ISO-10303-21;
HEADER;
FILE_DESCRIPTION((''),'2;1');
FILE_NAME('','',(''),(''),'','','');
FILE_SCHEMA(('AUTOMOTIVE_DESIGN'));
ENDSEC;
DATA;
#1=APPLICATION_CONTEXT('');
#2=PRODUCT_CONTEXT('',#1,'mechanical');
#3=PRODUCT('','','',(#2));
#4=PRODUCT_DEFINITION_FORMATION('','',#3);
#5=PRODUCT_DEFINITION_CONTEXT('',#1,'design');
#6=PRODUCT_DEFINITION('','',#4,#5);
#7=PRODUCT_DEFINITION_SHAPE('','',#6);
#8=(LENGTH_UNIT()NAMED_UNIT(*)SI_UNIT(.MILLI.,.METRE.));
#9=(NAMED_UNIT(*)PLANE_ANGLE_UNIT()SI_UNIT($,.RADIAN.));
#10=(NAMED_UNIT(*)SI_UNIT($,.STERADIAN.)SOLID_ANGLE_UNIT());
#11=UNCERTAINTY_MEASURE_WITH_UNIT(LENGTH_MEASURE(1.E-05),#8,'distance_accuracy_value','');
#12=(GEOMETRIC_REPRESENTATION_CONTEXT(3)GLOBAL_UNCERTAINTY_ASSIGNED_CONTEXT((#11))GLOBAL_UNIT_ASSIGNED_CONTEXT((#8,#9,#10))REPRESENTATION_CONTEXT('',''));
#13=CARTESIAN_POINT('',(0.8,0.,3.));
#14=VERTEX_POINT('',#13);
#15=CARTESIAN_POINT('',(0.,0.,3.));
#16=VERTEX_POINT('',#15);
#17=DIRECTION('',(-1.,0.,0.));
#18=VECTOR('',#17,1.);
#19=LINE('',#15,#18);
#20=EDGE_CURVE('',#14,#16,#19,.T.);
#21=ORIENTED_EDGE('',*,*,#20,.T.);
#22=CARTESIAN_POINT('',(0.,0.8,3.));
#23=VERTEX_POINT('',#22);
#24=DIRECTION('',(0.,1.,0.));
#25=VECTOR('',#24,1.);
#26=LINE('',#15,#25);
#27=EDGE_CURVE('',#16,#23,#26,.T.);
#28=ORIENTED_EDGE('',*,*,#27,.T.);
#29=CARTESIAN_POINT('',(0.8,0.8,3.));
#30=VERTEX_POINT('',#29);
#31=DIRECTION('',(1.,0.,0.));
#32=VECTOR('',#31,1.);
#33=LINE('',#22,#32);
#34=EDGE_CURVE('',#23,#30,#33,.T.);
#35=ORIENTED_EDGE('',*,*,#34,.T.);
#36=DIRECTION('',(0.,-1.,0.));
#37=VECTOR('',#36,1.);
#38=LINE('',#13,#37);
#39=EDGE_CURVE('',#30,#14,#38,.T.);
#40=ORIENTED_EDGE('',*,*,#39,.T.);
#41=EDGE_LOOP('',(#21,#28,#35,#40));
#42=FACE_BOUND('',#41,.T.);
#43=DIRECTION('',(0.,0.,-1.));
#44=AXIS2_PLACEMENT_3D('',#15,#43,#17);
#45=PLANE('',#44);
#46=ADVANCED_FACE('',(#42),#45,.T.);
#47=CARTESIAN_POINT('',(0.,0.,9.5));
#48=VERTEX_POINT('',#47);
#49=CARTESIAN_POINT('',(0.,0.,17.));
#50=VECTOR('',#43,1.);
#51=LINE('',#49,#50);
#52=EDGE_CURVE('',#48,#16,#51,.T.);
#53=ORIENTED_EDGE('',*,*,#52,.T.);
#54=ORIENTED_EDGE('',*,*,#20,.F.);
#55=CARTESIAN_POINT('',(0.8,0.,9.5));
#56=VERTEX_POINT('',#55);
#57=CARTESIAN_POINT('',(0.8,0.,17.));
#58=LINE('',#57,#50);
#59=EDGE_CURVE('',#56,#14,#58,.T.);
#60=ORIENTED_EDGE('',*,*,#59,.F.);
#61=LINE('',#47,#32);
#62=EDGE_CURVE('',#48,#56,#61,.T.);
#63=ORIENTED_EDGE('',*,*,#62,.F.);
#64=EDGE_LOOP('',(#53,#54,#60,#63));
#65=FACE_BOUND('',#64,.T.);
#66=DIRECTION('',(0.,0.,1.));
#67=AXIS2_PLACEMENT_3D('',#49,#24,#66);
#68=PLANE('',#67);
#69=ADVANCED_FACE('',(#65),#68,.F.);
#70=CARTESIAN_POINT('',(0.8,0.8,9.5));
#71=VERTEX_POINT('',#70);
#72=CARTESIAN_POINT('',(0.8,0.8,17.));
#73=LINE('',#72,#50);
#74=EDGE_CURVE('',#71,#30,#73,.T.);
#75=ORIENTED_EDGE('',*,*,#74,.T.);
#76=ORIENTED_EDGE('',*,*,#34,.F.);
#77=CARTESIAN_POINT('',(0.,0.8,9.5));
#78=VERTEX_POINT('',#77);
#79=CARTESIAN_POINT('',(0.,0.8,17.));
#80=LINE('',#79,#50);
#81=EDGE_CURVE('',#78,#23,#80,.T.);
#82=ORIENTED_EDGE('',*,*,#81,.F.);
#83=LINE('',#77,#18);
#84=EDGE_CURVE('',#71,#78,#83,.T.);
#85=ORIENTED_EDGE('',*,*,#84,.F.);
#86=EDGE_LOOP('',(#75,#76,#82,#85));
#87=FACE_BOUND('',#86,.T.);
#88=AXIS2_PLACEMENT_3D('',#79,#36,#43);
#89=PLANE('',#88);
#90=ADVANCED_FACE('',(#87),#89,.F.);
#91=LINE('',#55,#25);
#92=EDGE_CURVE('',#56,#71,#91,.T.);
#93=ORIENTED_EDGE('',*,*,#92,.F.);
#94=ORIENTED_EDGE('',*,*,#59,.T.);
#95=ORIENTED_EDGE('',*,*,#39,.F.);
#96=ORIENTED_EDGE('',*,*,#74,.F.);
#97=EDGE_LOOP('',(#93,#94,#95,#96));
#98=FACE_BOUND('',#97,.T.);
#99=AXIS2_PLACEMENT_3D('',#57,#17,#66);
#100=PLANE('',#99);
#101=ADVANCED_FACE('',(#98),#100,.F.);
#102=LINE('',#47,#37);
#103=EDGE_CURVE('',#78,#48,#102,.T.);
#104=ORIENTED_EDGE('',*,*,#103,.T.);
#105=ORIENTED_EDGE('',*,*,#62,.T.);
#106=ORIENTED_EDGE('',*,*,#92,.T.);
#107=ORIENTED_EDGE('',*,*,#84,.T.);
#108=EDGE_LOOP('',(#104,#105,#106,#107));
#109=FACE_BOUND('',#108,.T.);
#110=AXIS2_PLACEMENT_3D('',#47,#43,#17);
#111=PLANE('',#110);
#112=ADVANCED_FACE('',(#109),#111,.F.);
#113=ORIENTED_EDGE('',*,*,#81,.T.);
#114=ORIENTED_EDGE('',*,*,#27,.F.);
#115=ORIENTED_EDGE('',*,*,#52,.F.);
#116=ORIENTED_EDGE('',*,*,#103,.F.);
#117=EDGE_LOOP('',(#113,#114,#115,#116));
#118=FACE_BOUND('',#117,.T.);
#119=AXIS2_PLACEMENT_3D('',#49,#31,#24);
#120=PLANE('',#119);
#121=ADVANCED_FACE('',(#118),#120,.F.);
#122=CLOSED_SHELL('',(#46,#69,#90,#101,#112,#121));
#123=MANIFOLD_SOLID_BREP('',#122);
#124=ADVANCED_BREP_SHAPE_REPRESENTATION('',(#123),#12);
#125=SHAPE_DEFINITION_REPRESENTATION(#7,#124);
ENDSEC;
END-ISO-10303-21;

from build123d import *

# Parameters (mm, degrees)
SKICA1_W                 = 0.8
SKICA1_H                 = 0.8
P_IDAT_VYSUNUT_M1_DEPTH  = 17
SKICA2_W                 = 0.8
SKICA2_H                 = 0.8
ODEBRAT_VYSUNUT_M2_DEPTH = 3
SKICA3_W                 = 0.8
SKICA3_H                 = 0.8
ODEBRAT_VYSUNUT_M3_DEPTH = 7.5


with BuildPart() as part:
    # Skica1 → Přidat vysunutím1 (new body)
    with BuildSketch(Plane.XY):
        with Locations((0.4, 0.4)):
            Rectangle(SKICA1_W, SKICA1_H)
    extrude(amount=P_IDAT_VYSUNUT_M1_DEPTH)

    # Skica2 → Odebrat vysunutím2 (cut)
    with BuildSketch(Plane(origin=(0, 0, 0), x_dir=(-1, 0, 0), z_dir=(0, 0, -1))):
        with Locations((-0.4, 0.4)):
            Rectangle(SKICA2_W, SKICA2_H)
    extrude(amount=-ODEBRAT_VYSUNUT_M2_DEPTH, mode=Mode.SUBTRACT)

    # Skica3 → Odebrat vysunutím3 (cut)
    with BuildSketch(Plane.XY.offset(17)):
        with Locations((0.4, 0.4)):
            Rectangle(SKICA3_W, SKICA3_H)
    extrude(amount=-ODEBRAT_VYSUNUT_M3_DEPTH, mode=Mode.SUBTRACT)


solid = part.part
